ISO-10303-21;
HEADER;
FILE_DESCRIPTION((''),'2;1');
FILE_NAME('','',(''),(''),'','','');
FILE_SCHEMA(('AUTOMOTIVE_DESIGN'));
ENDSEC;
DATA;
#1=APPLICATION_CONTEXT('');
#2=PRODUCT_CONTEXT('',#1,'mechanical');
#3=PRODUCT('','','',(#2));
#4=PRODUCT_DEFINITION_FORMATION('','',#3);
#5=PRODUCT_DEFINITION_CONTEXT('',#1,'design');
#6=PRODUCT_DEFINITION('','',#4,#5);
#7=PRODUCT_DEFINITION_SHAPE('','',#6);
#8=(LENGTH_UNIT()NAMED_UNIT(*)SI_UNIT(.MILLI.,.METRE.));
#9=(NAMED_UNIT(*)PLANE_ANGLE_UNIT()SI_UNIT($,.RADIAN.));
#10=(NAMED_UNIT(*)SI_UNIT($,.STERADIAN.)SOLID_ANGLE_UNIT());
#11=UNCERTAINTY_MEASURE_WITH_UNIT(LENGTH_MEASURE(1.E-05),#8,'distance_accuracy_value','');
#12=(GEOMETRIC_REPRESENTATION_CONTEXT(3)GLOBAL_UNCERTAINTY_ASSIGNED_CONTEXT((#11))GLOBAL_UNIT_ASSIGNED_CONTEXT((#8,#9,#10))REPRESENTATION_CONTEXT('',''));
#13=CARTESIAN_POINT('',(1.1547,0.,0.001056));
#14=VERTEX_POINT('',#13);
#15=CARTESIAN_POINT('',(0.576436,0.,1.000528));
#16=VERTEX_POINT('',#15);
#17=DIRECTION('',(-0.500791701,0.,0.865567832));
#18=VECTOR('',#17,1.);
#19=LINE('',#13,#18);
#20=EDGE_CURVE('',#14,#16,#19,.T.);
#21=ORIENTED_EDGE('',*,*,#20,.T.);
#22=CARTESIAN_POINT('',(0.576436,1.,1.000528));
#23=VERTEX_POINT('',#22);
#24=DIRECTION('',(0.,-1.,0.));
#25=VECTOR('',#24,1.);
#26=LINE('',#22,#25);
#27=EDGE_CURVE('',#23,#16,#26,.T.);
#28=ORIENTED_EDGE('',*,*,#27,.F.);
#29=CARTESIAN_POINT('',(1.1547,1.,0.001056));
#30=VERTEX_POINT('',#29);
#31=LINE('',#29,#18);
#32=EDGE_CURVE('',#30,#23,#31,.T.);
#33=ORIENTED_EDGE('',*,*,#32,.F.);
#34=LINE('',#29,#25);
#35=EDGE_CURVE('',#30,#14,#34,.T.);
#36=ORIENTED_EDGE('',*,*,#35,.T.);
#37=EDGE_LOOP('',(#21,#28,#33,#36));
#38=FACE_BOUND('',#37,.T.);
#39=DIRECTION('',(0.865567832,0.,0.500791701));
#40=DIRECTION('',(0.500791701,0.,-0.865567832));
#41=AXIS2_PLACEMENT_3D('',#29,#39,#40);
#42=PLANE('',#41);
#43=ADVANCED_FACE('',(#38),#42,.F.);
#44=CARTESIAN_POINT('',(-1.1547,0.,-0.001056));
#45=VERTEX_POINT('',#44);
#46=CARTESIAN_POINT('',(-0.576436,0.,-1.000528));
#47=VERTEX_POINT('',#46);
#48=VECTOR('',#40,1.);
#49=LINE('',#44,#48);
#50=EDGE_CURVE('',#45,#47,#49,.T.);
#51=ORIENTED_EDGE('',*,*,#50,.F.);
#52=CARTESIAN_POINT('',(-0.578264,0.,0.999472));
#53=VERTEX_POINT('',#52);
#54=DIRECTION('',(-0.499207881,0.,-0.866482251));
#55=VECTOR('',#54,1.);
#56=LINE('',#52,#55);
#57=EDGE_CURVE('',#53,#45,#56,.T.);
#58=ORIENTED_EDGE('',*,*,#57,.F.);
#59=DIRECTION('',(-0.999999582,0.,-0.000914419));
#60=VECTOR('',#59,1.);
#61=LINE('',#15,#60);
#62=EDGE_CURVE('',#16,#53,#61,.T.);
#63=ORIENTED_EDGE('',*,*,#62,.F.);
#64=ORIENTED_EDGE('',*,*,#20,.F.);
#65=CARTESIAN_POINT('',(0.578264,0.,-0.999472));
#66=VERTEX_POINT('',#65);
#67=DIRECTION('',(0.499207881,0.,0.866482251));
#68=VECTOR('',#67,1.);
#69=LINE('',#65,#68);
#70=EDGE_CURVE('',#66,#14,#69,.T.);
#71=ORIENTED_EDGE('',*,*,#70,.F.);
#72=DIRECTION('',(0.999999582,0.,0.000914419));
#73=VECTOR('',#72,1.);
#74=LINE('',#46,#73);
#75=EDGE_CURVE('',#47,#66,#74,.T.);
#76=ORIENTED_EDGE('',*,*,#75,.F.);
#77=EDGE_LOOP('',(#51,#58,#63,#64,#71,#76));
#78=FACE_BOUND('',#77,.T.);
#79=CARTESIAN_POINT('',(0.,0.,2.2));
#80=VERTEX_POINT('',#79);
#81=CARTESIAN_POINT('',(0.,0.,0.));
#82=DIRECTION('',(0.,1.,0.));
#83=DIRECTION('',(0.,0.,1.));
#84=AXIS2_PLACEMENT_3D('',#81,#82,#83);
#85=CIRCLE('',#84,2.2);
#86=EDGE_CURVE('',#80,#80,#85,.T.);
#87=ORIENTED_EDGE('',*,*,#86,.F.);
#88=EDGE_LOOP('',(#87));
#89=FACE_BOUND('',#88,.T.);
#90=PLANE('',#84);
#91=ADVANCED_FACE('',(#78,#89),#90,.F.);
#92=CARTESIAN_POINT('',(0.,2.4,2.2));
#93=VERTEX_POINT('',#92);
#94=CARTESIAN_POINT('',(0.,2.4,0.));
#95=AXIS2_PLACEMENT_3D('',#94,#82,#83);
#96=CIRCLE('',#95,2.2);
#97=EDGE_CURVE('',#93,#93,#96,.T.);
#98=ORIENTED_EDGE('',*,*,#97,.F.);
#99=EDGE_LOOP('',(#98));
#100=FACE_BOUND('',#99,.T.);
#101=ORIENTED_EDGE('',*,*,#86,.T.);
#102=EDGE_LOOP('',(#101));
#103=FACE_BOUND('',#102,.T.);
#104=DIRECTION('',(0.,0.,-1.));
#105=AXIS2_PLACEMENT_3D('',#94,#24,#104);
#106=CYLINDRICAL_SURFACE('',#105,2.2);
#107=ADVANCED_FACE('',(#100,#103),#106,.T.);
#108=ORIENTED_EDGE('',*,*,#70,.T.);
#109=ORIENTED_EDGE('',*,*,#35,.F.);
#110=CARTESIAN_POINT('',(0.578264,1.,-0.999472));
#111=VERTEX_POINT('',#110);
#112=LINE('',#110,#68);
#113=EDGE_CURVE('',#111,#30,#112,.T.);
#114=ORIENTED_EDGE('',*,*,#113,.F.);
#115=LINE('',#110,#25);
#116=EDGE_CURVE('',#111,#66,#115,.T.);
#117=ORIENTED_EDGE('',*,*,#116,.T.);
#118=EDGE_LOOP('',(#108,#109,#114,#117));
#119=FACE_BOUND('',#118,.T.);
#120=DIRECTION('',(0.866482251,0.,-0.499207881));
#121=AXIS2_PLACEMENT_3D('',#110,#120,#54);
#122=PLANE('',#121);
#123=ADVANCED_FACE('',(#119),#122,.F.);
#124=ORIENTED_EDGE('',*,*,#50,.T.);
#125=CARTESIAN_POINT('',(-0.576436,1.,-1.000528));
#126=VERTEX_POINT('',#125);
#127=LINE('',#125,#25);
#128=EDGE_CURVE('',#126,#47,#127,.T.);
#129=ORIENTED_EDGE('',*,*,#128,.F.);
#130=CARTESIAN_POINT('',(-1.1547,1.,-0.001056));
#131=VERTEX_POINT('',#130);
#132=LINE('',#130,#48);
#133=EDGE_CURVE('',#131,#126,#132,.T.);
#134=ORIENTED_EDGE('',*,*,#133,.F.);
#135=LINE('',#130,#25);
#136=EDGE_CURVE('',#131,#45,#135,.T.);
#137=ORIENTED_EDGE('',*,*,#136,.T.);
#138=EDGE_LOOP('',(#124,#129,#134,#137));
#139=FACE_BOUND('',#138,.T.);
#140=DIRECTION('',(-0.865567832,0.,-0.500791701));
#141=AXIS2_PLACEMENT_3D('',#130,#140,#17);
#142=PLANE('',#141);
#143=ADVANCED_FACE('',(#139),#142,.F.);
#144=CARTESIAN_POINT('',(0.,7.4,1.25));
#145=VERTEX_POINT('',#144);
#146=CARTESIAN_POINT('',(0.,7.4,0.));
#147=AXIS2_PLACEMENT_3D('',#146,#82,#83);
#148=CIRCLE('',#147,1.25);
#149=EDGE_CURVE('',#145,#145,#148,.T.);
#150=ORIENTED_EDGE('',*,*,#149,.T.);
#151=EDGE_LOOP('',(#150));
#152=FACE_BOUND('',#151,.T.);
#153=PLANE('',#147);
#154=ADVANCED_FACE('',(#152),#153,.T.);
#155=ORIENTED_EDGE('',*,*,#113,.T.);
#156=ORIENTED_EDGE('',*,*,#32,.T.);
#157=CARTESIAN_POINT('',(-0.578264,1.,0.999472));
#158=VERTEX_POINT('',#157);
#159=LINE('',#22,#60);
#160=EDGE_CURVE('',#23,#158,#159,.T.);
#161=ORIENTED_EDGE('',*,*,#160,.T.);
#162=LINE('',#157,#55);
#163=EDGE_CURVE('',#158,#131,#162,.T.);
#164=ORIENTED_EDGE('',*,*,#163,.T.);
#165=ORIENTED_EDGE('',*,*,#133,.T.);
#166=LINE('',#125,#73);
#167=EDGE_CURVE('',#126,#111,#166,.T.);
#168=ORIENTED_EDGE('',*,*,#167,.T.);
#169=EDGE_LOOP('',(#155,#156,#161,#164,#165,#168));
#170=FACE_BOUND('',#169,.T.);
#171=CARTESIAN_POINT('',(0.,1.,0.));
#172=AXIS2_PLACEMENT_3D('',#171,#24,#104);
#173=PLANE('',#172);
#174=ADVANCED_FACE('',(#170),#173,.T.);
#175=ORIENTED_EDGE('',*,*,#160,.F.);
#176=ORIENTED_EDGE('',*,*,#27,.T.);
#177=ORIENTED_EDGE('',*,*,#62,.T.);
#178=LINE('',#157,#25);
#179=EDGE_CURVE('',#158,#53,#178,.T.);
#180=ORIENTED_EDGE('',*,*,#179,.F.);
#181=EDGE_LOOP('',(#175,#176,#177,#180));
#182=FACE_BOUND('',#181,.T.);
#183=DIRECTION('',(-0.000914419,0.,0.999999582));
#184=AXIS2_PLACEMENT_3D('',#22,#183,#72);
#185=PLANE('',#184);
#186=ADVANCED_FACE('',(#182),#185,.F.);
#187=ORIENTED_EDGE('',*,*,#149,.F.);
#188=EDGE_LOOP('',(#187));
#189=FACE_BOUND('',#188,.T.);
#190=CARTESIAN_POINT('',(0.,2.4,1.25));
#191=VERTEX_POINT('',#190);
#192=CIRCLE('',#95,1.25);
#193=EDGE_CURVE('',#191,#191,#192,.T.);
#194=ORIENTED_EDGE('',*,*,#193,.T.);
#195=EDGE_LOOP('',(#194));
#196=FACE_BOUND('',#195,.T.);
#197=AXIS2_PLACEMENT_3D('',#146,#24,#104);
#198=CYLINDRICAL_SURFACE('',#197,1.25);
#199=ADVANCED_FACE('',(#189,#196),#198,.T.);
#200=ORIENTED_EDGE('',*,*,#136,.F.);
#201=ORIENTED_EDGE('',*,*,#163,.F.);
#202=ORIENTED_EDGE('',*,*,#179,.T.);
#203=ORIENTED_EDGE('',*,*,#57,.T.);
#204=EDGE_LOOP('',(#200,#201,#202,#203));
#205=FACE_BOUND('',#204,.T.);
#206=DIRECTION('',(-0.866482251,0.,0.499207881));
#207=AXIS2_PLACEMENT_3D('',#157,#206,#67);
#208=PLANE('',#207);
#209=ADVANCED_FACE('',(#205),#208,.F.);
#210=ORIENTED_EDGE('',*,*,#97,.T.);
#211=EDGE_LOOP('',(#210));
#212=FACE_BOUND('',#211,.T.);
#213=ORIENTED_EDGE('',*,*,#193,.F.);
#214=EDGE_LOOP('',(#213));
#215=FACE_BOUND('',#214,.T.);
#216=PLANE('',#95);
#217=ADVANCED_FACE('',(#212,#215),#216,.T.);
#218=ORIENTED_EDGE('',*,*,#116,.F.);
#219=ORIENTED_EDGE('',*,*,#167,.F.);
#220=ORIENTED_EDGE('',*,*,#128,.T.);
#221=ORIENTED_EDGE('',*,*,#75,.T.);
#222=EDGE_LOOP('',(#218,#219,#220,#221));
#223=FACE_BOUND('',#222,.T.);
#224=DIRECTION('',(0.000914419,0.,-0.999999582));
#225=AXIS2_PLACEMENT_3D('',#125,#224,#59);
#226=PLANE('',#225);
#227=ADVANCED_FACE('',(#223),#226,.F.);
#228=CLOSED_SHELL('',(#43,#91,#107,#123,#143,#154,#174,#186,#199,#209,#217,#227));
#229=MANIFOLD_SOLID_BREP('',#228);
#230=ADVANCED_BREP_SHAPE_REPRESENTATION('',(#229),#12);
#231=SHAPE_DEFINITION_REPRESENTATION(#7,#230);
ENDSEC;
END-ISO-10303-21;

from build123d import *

# Parameters (mm, degrees)
SKETCH_1_R          = 2.2
EXTRUDE_1_DEPTH     = 2.4
SKETCH_2_R          = 1.25
EXTRUDE_2_DEPTH     = 5
CUT_EXTRUDE_1_DEPTH = 1


with BuildPart() as part:
    # 草图1 → 凸台-拉伸1 (new body)
    with BuildSketch(Plane(origin=(0, 0, 0), x_dir=(1, 0, 0), z_dir=(0, 1, 0))):
        with Locations(Location((0, 0, 0), (0, 0, 270))):
            Circle(SKETCH_1_R)
    extrude(amount=EXTRUDE_1_DEPTH)

    # 草图2 → 凸台-拉伸2 (add)
    with BuildSketch(Plane(origin=(0, 2.4, 0), x_dir=(1, 0, 0), z_dir=(0, 1, 0))):
        with Locations(Location((0, 0, 0), (0, 0, 270))):
            Circle(SKETCH_2_R)
    extrude(amount=EXTRUDE_2_DEPTH)

    # 草图3 → 切除-拉伸1 (cut)
    with BuildSketch(Plane.XZ):
        Polygon((0.576435609, 1.000527522), (-0.578264446, 0.999471642), (-1.154700056, -0.00105588), (-0.576435609, -1.000527522), (0.578264446, -0.999471642), (1.154700056, 0.00105588), align=None)
    extrude(amount=-CUT_EXTRUDE_1_DEPTH, mode=Mode.SUBTRACT)


solid = part.part
